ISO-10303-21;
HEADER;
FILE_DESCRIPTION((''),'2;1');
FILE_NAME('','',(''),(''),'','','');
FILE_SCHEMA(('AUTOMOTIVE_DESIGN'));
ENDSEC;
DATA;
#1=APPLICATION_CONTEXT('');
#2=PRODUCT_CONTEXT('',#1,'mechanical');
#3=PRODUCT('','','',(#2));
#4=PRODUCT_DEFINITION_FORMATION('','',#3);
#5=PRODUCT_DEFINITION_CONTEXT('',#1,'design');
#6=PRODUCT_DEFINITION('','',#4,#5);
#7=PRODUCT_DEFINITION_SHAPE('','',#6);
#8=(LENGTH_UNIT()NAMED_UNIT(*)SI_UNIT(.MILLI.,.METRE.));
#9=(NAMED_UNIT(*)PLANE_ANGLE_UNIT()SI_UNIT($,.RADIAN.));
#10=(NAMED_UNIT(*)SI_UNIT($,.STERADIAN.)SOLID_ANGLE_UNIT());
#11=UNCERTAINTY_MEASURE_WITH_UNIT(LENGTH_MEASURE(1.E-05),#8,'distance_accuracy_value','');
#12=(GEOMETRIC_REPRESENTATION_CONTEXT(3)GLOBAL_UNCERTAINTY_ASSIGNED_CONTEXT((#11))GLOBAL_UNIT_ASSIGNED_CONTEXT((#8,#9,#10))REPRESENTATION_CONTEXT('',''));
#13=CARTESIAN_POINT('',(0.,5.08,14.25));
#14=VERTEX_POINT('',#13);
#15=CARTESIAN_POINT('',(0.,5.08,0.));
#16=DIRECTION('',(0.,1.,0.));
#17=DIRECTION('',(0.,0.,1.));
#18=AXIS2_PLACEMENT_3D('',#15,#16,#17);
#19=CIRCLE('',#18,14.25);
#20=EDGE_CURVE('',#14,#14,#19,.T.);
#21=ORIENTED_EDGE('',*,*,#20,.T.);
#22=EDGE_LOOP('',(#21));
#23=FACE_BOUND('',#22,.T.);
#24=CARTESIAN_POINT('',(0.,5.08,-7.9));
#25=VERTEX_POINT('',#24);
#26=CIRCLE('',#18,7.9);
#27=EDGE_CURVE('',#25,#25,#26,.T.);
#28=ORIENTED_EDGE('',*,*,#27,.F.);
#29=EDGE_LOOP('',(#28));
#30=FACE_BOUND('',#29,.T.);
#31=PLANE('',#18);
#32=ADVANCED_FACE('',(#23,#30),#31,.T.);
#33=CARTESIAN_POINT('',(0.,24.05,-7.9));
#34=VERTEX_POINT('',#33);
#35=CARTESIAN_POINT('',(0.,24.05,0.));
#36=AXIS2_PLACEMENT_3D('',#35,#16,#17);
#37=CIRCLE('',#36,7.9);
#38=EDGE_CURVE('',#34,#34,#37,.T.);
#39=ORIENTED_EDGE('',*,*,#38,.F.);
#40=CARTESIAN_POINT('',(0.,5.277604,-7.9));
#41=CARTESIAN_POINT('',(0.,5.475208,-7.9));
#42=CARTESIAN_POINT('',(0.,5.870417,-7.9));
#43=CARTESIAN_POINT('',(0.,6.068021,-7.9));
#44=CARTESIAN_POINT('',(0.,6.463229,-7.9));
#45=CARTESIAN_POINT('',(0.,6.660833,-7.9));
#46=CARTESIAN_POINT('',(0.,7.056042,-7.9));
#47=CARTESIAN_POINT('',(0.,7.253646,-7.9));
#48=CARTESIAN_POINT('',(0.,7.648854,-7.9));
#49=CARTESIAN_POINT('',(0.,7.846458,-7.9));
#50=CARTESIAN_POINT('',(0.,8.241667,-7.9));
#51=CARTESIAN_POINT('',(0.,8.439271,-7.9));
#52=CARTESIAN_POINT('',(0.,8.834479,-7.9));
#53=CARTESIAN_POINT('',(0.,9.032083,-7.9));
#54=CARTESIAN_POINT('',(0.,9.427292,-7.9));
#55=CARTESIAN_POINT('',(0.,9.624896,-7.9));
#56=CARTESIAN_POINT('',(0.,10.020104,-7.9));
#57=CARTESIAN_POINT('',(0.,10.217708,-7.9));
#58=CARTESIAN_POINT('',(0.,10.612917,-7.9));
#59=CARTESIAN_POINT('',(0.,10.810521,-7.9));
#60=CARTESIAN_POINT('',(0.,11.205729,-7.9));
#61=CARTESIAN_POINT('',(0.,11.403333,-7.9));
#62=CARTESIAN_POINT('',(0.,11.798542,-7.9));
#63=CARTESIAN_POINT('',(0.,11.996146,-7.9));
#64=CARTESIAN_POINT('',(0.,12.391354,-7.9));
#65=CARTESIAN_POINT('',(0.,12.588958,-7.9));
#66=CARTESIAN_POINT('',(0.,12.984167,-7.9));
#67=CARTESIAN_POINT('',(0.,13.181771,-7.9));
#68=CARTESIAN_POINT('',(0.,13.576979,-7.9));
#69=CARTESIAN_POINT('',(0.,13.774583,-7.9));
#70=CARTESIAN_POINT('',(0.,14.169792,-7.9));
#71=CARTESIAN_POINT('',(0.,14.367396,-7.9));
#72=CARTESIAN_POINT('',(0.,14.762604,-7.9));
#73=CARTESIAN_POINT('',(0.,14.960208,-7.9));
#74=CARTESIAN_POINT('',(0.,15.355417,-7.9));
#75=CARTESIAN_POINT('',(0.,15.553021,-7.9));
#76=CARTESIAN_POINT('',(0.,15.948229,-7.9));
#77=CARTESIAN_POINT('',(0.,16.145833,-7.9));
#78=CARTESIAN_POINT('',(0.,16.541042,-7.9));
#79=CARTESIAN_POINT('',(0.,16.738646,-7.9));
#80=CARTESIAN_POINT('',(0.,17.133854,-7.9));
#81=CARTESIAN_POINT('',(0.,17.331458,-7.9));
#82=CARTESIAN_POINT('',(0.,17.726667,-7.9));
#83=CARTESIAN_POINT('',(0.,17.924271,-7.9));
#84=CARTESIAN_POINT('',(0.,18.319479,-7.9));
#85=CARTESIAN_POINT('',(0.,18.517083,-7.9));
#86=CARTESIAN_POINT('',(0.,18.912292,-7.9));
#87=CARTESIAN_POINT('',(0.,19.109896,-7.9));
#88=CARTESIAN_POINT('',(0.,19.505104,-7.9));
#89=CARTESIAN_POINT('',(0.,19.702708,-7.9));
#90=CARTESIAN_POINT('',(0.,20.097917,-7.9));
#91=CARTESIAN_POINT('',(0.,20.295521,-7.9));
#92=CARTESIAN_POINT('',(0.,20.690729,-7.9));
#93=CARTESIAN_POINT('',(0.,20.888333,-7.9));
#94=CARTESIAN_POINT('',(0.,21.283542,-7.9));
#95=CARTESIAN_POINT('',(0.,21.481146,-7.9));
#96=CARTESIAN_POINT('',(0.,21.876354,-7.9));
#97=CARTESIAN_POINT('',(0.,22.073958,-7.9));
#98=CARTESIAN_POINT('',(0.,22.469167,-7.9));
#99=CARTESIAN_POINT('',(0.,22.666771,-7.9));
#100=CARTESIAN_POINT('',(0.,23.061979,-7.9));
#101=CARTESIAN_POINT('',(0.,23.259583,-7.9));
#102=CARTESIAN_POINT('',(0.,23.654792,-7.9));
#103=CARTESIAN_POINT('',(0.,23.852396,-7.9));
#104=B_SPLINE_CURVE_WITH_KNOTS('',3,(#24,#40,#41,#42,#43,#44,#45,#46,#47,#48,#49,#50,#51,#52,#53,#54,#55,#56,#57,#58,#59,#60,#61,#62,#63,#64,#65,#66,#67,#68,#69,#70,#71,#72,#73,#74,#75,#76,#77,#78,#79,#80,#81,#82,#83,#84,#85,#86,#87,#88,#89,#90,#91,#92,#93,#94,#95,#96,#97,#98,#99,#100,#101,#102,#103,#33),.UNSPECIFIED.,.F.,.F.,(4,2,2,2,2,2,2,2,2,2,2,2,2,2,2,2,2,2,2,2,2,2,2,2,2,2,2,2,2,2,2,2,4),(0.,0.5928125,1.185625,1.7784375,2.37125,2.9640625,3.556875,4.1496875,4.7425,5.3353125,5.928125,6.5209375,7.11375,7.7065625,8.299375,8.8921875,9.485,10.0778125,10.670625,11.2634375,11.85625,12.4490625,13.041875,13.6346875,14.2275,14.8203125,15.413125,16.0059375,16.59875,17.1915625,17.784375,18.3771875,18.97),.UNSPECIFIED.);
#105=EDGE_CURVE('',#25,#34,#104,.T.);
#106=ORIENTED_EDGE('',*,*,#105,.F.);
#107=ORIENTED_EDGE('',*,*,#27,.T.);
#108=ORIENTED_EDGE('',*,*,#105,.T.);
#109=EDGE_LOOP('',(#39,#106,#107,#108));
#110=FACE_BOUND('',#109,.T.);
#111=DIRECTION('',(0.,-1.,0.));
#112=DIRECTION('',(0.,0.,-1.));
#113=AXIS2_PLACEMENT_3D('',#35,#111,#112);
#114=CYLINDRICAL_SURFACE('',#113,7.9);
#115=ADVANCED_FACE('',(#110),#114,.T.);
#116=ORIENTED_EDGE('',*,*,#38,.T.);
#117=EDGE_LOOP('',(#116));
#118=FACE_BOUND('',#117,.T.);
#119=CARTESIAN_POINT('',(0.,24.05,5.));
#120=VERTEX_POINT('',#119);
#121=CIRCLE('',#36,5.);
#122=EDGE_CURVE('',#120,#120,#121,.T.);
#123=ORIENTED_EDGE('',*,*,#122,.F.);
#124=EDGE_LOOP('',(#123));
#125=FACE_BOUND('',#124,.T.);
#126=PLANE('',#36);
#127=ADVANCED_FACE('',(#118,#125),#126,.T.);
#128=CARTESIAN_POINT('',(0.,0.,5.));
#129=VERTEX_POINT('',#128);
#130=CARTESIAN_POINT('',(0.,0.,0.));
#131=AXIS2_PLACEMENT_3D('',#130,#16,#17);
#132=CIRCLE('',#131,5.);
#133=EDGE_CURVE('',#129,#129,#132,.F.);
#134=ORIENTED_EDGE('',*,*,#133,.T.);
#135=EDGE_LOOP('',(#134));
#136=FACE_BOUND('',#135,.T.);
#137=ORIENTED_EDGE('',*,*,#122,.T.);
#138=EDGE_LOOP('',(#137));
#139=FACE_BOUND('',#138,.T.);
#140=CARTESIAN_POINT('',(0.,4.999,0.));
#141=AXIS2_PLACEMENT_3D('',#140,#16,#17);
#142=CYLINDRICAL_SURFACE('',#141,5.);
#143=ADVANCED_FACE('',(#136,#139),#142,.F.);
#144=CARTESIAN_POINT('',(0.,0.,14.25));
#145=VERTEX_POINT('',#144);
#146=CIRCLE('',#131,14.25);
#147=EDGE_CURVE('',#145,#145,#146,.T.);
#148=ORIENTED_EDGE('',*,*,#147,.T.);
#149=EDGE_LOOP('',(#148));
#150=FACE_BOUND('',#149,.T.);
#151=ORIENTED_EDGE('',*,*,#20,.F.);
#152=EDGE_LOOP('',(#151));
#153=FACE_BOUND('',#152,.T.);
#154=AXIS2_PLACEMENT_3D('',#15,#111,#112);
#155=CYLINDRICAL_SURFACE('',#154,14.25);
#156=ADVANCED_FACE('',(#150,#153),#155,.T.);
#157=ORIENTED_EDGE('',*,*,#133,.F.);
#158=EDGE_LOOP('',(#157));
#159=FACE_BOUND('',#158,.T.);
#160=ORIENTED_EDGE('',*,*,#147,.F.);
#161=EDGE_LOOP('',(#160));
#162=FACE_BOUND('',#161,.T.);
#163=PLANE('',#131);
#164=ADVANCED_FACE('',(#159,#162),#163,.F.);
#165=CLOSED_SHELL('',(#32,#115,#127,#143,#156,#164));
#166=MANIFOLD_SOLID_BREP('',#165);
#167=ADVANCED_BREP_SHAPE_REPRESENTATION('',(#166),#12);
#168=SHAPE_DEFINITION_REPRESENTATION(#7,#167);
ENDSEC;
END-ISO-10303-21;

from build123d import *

# Parameters (mm, degrees)
SKETCH1_R        = 7.9
EXTRUSION2_DEPTH = 19.05
EXTRUSION3_REACH = 24.084
SKETCH2_R        = 5
SKETCH3_R        = 14.25
EXTRUSION4_DEPTH = 5.08
EXTRUSION5_REACH = 29.676
SKETCH4_R        = 5


with BuildPart() as part:
    # Sketch1 → Extrusion2 (new body)
    with BuildSketch(Plane(origin=(0, 5, 0), x_dir=(1, 0, 0), z_dir=(0, 1, 0))):
        with Locations(Location((0, 0, 0), (0, 0, 90))):
            Circle(SKETCH1_R)
    extrude(amount=EXTRUSION2_DEPTH)

    # Sketch2 → Extrusion3 (cut, up to next)
    with BuildSketch(Plane(origin=(0, 24.05, 0), x_dir=(-1, 0, 0), z_dir=(0, 1, 0)), mode=Mode.PRIVATE) as extrusion3_sk1:
        with Locations(Location((0, 0, 0), (0, 0, 90))):
            Circle(SKETCH2_R)
    extrusion3_tool1 = extrude(extrusion3_sk1.sketch, amount=-EXTRUSION3_REACH, mode=Mode.PRIVATE) & part.part
    add(extrusion3_tool1.solids().sort_by_distance((0, 24.05, 0))[0], mode=Mode.SUBTRACT)

    # Sketch3 → Extrusion4 (add)
    with BuildSketch(Plane(origin=(0, 0, 0), x_dir=(-1, 0, 0), z_dir=(0, 1, 0))):
        with Locations(Location((0, 0, 0), (0, 0, 90))):
            Circle(SKETCH3_R)
    extrude(amount=EXTRUSION4_DEPTH)

    # Sketch4 → Extrusion5 (cut, up to next)
    with BuildSketch(Plane(origin=(0, 5.08, 0), x_dir=(-1, 0, 0), z_dir=(0, 1, 0)), mode=Mode.PRIVATE) as extrusion5_sk1:
        with Locations(Location((0, 0, 0), (0, 0, 90))):
            Circle(SKETCH4_R)
    extrusion5_tool1 = extrude(extrusion5_sk1.sketch, amount=-EXTRUSION5_REACH, mode=Mode.PRIVATE) & part.part
    add(extrusion5_tool1.solids().sort_by_distance((0, 5.08, 0))[0], mode=Mode.SUBTRACT)


solid = part.part
